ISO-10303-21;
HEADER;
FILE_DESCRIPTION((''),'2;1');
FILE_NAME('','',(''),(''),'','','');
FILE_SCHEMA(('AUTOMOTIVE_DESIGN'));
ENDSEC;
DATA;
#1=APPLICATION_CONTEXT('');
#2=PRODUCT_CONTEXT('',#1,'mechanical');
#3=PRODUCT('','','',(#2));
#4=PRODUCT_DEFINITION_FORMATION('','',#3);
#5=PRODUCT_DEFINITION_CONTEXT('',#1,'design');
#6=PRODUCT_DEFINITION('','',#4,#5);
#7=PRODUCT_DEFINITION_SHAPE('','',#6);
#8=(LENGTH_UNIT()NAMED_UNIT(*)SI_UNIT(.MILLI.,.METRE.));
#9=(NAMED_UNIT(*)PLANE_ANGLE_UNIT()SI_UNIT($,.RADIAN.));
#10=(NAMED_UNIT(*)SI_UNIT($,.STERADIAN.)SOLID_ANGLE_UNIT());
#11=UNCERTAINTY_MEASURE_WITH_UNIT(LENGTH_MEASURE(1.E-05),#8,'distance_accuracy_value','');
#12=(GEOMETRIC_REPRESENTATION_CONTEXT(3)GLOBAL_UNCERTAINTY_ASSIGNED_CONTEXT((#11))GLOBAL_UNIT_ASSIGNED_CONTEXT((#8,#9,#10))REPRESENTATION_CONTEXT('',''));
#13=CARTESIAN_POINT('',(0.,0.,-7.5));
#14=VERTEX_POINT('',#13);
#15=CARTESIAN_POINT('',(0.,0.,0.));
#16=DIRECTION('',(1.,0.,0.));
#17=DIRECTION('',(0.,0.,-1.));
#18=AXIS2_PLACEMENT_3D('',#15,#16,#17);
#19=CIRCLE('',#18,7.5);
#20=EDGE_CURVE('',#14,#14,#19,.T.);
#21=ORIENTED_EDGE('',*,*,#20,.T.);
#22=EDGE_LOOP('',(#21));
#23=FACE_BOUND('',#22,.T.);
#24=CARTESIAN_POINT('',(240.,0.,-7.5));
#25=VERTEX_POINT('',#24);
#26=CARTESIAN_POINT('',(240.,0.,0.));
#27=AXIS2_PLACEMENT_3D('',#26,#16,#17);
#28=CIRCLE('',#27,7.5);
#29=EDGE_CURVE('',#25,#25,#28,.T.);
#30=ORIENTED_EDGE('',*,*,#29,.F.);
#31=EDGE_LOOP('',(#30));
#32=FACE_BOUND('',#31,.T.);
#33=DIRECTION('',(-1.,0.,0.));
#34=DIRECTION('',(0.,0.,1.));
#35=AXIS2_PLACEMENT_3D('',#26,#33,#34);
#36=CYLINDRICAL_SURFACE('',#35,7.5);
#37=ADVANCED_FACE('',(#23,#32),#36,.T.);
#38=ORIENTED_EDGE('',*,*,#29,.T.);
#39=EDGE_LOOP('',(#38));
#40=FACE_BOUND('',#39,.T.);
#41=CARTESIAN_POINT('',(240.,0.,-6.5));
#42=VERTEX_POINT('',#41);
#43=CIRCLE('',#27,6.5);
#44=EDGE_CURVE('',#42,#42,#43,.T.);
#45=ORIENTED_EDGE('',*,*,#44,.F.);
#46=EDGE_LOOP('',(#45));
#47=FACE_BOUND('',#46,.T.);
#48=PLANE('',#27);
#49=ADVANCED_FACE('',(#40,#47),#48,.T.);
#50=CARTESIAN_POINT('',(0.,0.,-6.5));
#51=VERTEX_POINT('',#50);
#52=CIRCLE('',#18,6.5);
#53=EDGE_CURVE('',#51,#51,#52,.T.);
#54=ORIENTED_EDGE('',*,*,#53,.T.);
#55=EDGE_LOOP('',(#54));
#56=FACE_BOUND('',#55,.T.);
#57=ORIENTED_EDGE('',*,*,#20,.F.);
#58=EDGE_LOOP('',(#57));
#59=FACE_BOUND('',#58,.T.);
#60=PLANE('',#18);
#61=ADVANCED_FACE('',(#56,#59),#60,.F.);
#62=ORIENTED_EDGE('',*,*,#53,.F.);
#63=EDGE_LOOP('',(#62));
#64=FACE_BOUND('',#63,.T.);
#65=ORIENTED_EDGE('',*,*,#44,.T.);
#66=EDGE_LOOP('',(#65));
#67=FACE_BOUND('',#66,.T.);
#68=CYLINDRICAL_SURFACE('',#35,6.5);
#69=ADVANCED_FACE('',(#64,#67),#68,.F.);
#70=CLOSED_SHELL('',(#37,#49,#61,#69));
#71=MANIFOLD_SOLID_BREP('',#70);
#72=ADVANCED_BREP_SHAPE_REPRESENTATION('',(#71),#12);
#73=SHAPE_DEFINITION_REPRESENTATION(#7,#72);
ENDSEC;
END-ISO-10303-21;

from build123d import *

# Parameters (mm, degrees)
SKETCH_1_R      = 7.5
SKETCH_1_R_2    = 6.5
EXTRUDE_1_DEPTH = 240


with BuildPart() as part:
    # 草图1 → 凸台-拉伸1 (new body)
    with BuildSketch(Plane(origin=(0, 0, 0), x_dir=(0, 0, -1), z_dir=(1, 0, 0))):
        Circle(SKETCH_1_R)
        Circle(SKETCH_1_R_2, mode=Mode.SUBTRACT)
    extrude(amount=EXTRUDE_1_DEPTH)


solid = part.part
